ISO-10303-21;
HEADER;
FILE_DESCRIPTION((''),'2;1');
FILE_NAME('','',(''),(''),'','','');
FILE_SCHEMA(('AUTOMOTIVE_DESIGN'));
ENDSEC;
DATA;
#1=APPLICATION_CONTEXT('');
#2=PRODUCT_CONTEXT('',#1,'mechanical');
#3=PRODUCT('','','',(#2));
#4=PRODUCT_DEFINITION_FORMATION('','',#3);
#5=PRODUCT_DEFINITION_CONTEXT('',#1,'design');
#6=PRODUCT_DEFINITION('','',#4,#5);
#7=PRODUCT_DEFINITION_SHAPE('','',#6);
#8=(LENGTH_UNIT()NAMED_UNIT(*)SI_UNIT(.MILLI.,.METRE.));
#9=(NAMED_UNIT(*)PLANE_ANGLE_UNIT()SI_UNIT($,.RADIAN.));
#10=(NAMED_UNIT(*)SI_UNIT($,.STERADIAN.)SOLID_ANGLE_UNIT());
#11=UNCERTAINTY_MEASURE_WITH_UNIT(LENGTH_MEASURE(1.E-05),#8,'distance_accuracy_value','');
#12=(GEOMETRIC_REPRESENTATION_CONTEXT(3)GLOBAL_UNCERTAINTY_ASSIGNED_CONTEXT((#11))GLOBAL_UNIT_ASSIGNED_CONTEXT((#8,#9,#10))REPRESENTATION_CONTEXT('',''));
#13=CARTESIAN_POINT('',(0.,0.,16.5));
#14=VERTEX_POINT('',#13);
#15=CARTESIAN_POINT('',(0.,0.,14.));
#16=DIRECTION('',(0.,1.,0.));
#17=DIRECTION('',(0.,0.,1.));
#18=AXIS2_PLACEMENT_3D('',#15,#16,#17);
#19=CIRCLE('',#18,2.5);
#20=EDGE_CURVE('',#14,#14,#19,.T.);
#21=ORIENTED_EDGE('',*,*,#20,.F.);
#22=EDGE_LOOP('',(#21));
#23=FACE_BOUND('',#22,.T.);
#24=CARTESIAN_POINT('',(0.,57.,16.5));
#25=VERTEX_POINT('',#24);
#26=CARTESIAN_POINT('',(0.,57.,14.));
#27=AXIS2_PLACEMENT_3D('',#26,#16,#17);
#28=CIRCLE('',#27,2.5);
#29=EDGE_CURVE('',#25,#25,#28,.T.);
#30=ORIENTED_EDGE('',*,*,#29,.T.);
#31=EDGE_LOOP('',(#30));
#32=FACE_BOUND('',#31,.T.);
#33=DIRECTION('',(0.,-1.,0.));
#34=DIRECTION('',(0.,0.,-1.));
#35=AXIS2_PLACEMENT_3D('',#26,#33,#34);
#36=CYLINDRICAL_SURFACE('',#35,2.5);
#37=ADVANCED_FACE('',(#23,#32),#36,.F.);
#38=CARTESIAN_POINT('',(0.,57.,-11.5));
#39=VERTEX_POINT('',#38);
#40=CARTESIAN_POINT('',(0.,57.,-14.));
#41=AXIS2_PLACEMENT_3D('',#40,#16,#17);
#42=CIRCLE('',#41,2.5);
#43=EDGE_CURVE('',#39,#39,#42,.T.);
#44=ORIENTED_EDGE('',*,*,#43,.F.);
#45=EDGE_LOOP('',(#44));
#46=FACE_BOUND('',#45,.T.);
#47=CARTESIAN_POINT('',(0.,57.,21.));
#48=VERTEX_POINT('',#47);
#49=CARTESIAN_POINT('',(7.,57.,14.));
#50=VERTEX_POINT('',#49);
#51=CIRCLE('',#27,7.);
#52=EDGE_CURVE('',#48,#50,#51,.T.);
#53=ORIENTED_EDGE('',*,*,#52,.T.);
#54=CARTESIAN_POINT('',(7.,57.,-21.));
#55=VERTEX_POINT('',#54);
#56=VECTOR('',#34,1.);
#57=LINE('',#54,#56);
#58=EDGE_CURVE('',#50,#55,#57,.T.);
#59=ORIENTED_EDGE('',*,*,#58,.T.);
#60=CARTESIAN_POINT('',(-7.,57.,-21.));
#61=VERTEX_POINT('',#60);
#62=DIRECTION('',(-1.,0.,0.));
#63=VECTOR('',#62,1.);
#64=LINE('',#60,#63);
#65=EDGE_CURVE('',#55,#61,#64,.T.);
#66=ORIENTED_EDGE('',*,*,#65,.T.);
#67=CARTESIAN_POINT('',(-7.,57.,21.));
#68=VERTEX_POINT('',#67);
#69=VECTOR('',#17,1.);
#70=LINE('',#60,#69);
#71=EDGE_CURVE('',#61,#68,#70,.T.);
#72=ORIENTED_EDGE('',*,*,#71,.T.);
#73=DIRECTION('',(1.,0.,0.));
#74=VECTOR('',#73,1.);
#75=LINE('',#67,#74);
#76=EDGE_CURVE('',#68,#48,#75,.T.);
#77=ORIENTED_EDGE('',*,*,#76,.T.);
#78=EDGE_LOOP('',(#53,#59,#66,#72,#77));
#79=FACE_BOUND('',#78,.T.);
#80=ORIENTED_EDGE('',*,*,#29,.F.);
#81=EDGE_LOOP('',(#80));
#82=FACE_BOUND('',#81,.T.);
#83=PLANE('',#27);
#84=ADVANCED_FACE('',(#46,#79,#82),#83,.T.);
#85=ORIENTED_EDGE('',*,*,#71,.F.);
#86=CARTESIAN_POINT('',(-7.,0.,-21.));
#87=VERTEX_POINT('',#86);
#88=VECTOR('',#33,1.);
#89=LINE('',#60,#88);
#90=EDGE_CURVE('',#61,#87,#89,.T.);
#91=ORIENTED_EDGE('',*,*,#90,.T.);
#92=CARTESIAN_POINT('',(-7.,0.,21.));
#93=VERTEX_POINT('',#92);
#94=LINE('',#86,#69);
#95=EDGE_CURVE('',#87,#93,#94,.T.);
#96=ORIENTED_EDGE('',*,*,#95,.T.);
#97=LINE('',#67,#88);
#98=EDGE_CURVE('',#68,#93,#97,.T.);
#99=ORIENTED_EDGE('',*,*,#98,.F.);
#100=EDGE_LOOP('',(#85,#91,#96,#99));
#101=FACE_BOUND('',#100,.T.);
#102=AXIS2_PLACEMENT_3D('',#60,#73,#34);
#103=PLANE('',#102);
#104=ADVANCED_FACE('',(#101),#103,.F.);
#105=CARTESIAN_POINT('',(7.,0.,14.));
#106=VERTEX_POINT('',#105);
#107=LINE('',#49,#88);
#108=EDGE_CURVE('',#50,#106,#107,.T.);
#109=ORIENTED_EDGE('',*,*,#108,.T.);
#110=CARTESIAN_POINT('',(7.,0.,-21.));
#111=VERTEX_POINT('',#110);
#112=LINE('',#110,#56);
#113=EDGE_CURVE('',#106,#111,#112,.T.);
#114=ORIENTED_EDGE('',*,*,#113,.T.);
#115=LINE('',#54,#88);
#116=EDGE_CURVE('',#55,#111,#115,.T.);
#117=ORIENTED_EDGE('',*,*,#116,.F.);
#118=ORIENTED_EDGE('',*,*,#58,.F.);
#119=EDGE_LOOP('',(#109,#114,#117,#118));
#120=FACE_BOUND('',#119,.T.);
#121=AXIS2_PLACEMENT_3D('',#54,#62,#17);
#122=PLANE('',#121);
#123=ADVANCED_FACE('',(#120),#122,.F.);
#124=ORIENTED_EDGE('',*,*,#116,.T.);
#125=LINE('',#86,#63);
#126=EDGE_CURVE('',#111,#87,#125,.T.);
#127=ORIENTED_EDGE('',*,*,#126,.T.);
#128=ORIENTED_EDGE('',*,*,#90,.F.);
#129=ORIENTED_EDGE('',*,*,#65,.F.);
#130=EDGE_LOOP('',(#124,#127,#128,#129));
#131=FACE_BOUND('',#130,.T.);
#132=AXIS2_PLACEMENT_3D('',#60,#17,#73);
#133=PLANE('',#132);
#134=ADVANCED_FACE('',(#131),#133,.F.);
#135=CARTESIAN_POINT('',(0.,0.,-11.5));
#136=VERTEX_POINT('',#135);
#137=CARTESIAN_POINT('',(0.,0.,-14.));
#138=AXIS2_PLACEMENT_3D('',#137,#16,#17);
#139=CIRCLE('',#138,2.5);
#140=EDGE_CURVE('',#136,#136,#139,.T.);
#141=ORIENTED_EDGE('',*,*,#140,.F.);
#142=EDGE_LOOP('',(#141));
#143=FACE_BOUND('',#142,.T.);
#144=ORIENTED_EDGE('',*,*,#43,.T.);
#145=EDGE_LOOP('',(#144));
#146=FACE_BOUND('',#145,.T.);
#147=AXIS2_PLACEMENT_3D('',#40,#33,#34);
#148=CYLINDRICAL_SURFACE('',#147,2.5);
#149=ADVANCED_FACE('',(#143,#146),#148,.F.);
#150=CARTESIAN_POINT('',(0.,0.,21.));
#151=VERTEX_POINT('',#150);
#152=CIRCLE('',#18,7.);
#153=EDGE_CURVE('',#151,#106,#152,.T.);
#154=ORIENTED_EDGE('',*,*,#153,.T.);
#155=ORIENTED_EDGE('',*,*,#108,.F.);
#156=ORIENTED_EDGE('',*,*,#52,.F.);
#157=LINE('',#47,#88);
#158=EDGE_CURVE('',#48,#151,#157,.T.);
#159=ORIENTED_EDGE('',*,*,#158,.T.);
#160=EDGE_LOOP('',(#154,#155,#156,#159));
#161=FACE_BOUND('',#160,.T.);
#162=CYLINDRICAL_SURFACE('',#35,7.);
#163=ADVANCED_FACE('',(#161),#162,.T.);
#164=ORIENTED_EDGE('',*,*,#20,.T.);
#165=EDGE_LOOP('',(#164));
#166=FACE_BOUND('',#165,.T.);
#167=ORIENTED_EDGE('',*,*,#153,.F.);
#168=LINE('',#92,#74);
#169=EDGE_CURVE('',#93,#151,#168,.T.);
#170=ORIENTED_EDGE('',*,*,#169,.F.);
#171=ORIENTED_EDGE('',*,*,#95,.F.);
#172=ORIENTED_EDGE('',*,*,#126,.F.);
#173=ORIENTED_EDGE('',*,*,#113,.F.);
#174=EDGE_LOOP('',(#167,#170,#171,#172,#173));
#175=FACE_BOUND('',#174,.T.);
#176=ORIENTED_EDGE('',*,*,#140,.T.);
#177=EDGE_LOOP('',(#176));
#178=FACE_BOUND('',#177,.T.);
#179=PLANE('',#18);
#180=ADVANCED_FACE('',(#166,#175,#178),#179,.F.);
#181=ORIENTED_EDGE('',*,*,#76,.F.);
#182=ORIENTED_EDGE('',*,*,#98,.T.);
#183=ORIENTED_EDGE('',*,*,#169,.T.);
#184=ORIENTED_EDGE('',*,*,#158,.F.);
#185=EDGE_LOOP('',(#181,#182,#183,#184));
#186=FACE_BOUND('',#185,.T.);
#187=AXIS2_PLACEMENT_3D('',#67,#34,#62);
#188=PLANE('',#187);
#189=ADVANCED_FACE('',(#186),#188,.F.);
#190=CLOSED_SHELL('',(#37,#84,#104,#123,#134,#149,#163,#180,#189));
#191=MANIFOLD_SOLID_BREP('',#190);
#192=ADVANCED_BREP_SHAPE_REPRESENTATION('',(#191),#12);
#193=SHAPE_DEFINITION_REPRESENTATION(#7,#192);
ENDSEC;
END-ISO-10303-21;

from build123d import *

# Parameters (mm, degrees)
SKETCH_1_R      = 2.5
EXTRUDE_1_DEPTH = 57


with BuildPart() as part:
    # 草图1 → 凸台-拉伸1 (new body)
    with BuildSketch(Plane(origin=(0, 0, 0), x_dir=(1, 0, 0), z_dir=(0, 1, 0))):
        with BuildLine():
            Line((-7, 21), (7, 21))
            Line((7, 21), (7, -14))
            ThreePointArc((7, -14), (4.949747468, -18.949747468), (0, -21))
            Line((0, -21), (-7, -21))
            Line((-7, -21), (-7, 21))
        make_face()
        with Locations((0, 14)):
            Circle(SKETCH_1_R, mode=Mode.SUBTRACT)
        with Locations((0, -14)):
            Circle(SKETCH_1_R, mode=Mode.SUBTRACT)
    extrude(amount=EXTRUDE_1_DEPTH)


solid = part.part
